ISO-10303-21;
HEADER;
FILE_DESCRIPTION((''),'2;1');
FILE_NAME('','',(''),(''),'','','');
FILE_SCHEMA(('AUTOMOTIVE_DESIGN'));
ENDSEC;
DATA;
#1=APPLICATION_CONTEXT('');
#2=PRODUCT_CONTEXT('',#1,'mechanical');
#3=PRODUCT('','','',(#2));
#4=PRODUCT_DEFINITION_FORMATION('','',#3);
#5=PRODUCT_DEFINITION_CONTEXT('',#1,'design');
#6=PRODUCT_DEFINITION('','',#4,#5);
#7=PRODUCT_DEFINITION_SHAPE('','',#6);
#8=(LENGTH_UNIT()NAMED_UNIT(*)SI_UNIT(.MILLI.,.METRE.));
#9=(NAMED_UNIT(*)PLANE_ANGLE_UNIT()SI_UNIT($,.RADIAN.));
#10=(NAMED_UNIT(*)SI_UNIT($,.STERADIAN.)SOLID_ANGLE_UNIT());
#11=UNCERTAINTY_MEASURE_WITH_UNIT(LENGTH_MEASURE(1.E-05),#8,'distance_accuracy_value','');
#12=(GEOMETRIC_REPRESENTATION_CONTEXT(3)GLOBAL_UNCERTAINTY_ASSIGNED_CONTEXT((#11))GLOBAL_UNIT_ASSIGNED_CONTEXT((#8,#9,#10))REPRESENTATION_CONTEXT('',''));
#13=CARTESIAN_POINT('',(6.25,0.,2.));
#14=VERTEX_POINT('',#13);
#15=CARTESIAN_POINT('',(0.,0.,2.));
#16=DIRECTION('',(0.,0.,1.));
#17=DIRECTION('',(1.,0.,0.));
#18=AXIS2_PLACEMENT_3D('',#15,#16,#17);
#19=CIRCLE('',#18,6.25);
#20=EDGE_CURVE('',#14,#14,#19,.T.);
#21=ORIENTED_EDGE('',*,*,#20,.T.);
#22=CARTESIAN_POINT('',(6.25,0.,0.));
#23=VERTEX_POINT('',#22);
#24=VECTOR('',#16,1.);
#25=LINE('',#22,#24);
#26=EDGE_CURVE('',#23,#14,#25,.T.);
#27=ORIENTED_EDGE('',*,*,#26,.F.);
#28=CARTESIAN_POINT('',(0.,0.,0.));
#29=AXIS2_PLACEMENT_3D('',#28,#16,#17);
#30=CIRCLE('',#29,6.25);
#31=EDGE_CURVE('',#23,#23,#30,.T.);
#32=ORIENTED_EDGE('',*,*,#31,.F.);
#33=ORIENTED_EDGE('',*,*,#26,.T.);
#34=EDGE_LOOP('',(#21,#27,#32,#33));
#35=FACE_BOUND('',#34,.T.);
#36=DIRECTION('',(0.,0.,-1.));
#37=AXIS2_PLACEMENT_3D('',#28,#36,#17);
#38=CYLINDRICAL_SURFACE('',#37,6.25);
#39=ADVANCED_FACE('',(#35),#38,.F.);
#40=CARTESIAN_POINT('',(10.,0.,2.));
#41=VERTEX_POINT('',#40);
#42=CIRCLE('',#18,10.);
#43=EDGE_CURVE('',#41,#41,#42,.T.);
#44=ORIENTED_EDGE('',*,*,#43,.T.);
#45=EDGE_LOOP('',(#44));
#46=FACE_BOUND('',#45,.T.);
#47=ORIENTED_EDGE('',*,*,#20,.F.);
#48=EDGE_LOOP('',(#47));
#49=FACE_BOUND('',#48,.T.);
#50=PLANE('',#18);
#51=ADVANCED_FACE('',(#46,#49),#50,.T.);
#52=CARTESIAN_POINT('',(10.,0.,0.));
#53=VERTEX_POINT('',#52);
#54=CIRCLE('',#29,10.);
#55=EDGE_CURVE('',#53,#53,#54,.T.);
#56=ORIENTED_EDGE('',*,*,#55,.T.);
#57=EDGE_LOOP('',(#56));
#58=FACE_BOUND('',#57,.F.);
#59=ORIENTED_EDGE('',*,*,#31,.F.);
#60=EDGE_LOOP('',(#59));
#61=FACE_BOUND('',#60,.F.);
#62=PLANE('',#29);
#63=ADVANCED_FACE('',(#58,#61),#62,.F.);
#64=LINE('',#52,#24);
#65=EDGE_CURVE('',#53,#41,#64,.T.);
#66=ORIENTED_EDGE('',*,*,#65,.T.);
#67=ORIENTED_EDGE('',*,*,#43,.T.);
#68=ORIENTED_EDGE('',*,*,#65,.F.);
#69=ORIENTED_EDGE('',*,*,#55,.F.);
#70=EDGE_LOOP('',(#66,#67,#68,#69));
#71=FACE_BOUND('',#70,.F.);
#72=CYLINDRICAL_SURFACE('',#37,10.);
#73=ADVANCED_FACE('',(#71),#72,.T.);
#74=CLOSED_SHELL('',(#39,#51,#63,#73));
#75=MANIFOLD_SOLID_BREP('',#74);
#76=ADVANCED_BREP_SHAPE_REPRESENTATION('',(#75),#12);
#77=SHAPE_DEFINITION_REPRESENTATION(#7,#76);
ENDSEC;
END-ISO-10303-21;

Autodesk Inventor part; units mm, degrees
ref_plane "YZ Plane" through (0, 0, 0) normal (1, 0, 0) x (0, 1, 0)
ref_plane "XZ Plane" through (0, 0, 0) normal (0, 1, 0) x (-1, 0, 0)
ref_plane "XY Plane" through (0, 0, 0) normal (0, 0, 1) x (1, 0, 0)
sketch "スケッチ1" plane through (0, 0, 0) normal (0, 0, 1) x (1, 0, 0)
  circle A0 centre (0, 0) radius 6.25
  circle A1 centre (0, 0) radius 10
  dimension "d0" = 12.5
  dimension "d1" = 20
extrude "押し出し1" add sketch "スケッチ1" along normal blind 2
properties part number "TT-1220-20" material "PET プラスチック"
